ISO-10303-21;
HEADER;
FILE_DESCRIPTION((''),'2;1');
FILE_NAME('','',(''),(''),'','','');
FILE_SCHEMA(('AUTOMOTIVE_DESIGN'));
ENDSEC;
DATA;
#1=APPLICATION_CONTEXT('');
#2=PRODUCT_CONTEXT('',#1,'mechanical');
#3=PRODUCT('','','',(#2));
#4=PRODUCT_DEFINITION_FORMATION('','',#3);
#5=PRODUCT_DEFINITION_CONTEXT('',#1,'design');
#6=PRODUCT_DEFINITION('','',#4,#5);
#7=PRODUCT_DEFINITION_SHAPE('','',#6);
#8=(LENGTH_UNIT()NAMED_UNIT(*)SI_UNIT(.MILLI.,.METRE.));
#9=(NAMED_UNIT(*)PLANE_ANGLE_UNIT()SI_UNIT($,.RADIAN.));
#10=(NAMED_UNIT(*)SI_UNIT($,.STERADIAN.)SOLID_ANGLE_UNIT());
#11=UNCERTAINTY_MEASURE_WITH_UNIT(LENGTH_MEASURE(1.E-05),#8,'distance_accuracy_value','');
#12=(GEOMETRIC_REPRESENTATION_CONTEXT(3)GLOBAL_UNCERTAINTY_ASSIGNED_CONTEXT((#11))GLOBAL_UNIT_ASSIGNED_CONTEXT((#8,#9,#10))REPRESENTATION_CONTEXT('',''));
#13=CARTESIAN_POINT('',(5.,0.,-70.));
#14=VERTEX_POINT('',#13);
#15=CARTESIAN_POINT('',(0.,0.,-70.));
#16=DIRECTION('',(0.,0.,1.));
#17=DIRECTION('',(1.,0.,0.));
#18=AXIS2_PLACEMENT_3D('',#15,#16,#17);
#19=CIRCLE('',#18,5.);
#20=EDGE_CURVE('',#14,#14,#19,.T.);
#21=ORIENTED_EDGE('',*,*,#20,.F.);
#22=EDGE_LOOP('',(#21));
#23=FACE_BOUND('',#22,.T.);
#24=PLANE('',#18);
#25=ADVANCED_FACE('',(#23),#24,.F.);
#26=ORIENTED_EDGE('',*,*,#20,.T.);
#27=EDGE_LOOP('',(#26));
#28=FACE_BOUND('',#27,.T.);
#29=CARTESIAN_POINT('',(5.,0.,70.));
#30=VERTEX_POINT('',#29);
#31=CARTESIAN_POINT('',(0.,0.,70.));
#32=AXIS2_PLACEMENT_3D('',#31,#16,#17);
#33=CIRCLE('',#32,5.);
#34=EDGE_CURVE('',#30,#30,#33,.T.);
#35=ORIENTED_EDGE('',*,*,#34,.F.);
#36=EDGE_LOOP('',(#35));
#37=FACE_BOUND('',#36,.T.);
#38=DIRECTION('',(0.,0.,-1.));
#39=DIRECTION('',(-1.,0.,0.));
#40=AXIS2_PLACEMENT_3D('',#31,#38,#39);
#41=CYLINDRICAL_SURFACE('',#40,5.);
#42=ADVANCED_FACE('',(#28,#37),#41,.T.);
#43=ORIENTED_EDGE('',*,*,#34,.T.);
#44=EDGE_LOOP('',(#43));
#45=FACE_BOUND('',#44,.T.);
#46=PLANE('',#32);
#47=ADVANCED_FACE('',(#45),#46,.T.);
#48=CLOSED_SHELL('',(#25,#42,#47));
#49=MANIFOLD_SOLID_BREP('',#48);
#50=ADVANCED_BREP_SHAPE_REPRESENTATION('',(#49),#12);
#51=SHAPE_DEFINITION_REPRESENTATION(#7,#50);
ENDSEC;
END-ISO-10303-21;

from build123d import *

# Parameters (mm, degrees)
SKETCH1_R           = 5
BOSS_EXTRUDE1_DEPTH = 70


with BuildPart() as part:
    # Sketch1 → Boss-Extrude1 (new body, symmetric)
    with BuildSketch(Plane.XY):
        Circle(SKETCH1_R)
    extrude(amount=BOSS_EXTRUDE1_DEPTH, both=True)


solid = part.part
